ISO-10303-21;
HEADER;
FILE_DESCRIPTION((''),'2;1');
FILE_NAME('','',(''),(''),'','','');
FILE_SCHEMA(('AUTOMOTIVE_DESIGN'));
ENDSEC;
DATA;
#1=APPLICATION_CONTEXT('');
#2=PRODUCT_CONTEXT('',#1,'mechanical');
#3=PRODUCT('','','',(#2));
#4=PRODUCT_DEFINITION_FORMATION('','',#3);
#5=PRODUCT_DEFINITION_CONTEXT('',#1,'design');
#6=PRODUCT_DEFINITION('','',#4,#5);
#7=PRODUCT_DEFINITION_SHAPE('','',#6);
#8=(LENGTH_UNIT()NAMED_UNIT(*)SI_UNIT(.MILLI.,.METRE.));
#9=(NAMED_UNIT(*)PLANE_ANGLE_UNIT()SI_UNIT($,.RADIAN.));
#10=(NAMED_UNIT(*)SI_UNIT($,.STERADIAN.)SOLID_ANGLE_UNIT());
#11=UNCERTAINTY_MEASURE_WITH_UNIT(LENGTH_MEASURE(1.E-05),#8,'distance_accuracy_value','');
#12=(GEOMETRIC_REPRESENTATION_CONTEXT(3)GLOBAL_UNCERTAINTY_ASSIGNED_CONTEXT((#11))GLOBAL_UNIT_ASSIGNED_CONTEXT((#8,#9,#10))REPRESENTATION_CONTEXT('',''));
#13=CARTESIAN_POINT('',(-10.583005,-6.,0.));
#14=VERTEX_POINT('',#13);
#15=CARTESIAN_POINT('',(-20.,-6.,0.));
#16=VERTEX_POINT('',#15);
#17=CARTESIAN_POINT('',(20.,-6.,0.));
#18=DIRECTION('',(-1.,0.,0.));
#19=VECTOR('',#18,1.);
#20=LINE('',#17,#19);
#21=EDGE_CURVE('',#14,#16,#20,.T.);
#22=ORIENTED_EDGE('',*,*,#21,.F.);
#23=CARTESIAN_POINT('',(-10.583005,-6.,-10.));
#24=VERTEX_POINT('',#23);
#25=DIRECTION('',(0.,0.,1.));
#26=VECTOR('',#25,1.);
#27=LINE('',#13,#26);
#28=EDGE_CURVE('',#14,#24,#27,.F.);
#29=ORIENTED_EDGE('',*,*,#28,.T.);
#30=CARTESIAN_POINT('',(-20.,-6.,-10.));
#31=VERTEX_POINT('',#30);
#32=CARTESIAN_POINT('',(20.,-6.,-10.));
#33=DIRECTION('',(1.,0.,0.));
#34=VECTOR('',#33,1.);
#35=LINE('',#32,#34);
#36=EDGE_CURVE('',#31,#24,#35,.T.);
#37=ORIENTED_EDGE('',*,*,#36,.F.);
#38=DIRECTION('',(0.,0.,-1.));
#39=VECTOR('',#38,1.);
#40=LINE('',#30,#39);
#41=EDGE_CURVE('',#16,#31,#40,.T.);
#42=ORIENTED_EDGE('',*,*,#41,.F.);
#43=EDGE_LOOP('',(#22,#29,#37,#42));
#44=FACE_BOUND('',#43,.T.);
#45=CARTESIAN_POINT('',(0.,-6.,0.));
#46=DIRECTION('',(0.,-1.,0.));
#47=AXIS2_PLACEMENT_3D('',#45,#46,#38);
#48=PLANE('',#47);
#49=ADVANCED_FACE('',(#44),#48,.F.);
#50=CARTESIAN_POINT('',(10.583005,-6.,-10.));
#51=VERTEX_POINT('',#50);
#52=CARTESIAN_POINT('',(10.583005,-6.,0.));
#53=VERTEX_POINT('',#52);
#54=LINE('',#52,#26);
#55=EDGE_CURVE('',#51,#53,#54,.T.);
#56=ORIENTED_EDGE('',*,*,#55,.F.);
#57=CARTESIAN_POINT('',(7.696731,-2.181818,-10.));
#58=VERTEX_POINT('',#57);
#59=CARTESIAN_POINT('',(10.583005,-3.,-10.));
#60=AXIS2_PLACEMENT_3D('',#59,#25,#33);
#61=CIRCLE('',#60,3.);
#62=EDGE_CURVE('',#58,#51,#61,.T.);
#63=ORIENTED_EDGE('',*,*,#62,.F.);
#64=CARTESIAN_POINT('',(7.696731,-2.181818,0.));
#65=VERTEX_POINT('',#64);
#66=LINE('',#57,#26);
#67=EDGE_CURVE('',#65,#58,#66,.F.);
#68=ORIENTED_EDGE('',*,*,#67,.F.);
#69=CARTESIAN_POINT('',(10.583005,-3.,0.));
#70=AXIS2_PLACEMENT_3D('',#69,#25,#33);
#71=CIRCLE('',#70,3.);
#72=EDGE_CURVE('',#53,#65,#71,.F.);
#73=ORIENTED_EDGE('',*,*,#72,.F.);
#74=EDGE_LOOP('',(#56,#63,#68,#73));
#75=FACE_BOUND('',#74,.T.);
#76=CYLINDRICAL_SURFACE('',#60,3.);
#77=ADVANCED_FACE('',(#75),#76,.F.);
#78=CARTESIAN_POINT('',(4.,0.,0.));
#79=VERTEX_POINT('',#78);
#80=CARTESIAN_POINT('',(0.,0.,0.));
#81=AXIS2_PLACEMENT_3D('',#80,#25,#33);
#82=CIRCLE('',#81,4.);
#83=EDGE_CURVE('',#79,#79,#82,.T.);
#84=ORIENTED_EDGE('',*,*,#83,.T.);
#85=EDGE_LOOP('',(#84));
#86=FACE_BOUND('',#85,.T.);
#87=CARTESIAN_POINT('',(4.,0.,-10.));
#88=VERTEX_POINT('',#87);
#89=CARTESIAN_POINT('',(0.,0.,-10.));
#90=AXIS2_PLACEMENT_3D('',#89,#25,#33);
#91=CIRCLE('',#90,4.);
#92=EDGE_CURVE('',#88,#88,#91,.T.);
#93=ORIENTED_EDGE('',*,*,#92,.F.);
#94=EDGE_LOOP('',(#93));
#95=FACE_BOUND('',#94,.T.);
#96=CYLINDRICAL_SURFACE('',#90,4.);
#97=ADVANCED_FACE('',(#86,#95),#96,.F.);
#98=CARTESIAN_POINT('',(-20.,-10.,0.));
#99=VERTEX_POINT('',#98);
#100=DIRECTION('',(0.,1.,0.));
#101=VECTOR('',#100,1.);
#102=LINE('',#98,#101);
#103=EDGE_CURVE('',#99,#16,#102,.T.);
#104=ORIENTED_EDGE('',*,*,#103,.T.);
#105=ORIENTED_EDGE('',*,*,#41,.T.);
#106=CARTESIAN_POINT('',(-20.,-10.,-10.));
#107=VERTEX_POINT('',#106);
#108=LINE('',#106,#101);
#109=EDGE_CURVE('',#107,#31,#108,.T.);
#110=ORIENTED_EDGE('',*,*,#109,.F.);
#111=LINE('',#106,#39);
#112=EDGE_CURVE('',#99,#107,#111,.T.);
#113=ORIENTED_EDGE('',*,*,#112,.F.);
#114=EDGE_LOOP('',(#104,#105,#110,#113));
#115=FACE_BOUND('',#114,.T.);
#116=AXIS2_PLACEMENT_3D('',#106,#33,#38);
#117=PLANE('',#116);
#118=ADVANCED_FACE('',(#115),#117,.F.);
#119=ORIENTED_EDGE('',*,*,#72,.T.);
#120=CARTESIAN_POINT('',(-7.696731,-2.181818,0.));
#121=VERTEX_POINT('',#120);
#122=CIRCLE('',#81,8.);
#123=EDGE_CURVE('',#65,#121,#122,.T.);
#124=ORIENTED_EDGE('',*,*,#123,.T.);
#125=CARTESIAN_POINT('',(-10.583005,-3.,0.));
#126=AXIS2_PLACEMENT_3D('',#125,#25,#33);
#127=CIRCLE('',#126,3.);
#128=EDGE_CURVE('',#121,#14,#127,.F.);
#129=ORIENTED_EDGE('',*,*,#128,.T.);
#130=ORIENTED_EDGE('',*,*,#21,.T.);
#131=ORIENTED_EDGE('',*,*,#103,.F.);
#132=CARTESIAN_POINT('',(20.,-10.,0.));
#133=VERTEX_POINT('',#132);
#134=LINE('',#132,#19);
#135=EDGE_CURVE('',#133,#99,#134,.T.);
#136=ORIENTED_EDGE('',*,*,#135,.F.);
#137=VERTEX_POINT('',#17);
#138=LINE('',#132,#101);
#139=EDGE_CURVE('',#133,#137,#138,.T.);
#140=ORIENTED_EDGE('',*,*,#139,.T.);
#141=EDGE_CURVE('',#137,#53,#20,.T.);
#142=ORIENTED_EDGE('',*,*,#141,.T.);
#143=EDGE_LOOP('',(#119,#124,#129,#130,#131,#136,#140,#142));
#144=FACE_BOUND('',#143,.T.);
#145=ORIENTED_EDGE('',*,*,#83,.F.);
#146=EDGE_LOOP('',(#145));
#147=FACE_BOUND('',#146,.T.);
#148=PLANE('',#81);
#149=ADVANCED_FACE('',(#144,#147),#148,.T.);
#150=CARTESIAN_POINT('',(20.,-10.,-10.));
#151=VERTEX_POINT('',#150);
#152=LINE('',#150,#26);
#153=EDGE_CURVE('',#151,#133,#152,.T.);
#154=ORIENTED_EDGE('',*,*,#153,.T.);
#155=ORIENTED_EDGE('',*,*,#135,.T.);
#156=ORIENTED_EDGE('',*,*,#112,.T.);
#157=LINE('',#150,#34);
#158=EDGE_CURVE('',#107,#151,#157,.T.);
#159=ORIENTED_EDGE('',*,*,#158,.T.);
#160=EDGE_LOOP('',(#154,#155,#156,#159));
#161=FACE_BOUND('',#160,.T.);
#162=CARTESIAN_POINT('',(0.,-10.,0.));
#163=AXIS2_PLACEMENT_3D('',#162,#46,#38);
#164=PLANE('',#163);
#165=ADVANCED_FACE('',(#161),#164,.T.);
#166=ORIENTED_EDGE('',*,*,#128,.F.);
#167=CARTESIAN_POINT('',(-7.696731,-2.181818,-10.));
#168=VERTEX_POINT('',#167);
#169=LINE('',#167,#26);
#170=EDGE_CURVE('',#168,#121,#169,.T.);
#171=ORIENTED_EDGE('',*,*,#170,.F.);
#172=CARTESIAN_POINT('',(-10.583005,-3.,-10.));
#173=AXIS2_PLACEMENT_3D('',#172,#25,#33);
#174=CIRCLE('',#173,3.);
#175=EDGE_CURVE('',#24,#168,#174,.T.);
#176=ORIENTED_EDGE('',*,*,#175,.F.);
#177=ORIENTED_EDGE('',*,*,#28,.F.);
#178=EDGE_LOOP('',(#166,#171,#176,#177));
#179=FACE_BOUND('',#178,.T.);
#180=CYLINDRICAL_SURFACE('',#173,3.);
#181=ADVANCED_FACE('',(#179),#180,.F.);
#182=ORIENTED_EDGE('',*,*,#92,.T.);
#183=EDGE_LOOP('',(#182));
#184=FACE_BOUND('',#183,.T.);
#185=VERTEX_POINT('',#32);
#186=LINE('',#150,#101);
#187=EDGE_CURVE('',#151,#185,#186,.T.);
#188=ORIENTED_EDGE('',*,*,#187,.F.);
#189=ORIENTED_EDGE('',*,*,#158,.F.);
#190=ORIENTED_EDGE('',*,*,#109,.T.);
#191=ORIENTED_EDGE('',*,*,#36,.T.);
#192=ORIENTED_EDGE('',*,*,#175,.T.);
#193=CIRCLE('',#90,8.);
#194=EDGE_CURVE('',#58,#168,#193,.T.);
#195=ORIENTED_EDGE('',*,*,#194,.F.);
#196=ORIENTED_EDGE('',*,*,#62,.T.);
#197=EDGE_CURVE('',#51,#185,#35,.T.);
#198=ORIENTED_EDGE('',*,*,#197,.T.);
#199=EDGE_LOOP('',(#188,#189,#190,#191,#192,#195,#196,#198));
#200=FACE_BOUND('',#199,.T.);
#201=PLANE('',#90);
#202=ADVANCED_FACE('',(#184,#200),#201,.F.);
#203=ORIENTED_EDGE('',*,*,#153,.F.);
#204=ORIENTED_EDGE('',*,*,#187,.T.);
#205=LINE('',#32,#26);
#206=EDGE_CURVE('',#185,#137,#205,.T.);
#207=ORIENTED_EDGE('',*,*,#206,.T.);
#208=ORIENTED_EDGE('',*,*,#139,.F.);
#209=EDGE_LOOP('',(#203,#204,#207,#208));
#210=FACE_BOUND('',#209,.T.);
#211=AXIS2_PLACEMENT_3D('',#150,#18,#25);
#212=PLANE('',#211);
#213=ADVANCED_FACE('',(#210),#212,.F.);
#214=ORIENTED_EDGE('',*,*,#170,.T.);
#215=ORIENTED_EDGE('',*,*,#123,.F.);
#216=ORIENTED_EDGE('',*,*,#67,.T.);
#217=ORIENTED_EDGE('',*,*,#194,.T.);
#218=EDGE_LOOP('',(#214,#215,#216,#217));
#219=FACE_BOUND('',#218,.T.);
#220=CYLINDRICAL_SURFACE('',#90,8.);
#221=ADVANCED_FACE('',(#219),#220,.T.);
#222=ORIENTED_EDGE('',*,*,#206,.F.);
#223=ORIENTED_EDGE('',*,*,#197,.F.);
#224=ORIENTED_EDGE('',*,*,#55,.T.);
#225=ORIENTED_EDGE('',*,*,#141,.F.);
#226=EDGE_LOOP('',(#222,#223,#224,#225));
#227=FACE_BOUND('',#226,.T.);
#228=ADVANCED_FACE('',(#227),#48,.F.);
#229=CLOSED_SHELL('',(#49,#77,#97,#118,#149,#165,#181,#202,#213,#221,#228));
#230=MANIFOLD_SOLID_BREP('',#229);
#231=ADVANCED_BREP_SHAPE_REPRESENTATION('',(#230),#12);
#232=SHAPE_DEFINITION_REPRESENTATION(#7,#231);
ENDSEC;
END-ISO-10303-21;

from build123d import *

# Parameters (mm, degrees)
SKETCH1_R                = 8
SKETCH1_R_2              = 4
BOSS_EXTRUDE1_DEPTH      = 10
BOSS_EXTRUDE3_DEPTH      = 2
BOSS_EXTRUDE3_DEPTH_BACK = 2
SKETCH2_W                = 40
SKETCH2_H                = 10
FILLET1_R                = 3


with BuildPart() as part:
    # Sketch1 → Boss-Extrude1 (new body)
    with BuildSketch(Plane.XY):
        Circle(SKETCH1_R)
        Circle(SKETCH1_R_2, mode=Mode.SUBTRACT)
    extrude(amount=-BOSS_EXTRUDE1_DEPTH)

    # Sketch2 → Boss-Extrude3 (add, two sides: drawn at the far end of the back side and taken through both)
    with BuildSketch(Plane(origin=(0, -8, 0), x_dir=(-1, 0, 0), z_dir=(0, -1, 0)).offset(-BOSS_EXTRUDE3_DEPTH_BACK)):
        with Locations((0, 5)):
            Rectangle(SKETCH2_W, SKETCH2_H)
    extrude(amount=BOSS_EXTRUDE3_DEPTH + BOSS_EXTRUDE3_DEPTH_BACK)

    # Fillet1
    fillet1_edges = [part.edges().sort_by_distance(p)[0] for p in [
        (5.291502622, -6, -5),
        (-5.291502622, -6, -5),
    ]]
    fillet(fillet1_edges, radius=FILLET1_R)


solid = part.part
